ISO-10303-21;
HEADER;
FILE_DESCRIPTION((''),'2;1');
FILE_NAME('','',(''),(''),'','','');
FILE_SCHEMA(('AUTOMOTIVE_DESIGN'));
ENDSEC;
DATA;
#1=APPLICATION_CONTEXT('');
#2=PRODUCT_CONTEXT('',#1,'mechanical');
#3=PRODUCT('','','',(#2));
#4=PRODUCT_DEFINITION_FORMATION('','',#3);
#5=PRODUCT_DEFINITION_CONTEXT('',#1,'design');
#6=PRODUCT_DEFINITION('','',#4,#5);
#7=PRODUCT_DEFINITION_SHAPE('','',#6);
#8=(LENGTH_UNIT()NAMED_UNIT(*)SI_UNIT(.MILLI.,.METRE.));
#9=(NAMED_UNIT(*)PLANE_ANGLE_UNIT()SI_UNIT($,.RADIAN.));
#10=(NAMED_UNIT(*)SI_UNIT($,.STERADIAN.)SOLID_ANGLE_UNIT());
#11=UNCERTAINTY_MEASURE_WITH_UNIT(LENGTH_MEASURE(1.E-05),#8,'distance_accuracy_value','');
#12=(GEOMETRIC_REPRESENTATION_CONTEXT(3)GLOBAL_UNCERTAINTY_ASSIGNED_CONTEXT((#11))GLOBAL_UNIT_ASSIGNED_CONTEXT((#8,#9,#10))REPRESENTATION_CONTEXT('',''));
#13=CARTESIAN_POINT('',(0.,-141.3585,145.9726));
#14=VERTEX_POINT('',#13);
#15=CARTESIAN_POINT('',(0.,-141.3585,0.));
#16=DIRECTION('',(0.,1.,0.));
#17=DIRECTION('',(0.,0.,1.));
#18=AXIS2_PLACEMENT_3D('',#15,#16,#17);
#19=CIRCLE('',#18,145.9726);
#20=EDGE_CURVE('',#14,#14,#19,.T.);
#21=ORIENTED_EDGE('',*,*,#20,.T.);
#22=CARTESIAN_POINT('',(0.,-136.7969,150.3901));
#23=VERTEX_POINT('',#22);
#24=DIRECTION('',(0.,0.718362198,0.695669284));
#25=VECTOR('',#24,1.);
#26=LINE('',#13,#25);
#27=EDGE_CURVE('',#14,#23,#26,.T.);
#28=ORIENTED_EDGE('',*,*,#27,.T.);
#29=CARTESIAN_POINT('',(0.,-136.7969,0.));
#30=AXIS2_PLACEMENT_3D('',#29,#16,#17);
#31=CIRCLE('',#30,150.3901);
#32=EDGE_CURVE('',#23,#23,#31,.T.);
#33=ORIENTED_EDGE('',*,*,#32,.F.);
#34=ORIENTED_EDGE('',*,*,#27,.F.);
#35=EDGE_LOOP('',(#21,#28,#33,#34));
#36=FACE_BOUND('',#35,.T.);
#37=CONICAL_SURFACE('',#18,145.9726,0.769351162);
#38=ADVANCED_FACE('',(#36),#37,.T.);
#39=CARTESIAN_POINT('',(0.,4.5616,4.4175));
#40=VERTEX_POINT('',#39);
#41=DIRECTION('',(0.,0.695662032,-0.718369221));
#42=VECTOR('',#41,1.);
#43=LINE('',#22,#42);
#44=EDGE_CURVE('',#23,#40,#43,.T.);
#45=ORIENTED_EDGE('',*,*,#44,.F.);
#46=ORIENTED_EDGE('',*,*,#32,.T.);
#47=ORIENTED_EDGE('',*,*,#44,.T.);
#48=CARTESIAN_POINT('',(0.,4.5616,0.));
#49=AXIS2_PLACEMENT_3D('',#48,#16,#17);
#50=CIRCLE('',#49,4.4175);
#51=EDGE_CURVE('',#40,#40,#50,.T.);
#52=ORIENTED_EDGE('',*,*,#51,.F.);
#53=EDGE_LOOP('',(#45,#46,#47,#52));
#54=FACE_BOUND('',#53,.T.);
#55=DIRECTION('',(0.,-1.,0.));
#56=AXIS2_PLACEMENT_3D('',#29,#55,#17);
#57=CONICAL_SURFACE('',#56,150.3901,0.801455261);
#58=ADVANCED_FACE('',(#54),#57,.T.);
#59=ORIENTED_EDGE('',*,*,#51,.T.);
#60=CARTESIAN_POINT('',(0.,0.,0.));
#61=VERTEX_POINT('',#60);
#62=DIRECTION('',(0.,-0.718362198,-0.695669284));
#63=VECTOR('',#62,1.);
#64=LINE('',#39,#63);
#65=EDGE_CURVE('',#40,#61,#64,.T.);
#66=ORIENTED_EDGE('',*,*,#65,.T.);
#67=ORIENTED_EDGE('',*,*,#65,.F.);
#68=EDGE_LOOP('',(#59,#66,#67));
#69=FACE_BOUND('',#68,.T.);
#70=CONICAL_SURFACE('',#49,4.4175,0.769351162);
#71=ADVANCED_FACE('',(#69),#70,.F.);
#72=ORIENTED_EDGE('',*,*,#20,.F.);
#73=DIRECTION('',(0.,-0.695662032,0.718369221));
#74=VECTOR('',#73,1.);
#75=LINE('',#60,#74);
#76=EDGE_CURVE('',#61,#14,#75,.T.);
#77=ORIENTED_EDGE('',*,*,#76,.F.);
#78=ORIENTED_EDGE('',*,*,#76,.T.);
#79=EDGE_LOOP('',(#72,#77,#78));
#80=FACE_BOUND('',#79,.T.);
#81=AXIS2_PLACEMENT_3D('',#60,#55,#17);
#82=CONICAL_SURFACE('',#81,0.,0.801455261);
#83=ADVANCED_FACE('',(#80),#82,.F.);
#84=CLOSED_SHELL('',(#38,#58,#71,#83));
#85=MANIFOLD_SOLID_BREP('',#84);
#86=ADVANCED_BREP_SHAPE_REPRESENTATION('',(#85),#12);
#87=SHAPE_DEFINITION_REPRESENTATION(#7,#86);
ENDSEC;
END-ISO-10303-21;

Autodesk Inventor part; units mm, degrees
ref_plane "YZ Plane" through (0, 0, 0) normal (1, 0, 0) x (0, 1, 0)
ref_plane "XZ Plane" through (0, 0, 0) normal (0, 1, 0) x (-1, 0, 0)
ref_plane "XY Plane" through (0, 0, 0) normal (0, 0, 1) x (1, 0, 0)
sketch "Sketch1" plane through (0, 0, 0) normal (1, 0, 0) x (0, 1, 0)
  line L0 (-141.3585, 145.9726) -> (-136.7969, 150.3901)
  line L1 (-136.7969, 150.3901) -> (4.5616, 4.4175)
  line L2 (4.5616, 4.4175) -> (0, 0)
  line L3 (0, 0) -> (-141.3585, 145.9726)
  line L4 (-170.5426, 0) -> (33.7457, 0) projected
  point P0 (0, 0)
  dimension "d0" = 6.35
  dimension "d1" = 203.2
revolve "Revolution1" add sketch "Sketch1" angle 360 about axis through (0, -10, 0) along (0, 1, 0)
properties part number "chimneyCap"
